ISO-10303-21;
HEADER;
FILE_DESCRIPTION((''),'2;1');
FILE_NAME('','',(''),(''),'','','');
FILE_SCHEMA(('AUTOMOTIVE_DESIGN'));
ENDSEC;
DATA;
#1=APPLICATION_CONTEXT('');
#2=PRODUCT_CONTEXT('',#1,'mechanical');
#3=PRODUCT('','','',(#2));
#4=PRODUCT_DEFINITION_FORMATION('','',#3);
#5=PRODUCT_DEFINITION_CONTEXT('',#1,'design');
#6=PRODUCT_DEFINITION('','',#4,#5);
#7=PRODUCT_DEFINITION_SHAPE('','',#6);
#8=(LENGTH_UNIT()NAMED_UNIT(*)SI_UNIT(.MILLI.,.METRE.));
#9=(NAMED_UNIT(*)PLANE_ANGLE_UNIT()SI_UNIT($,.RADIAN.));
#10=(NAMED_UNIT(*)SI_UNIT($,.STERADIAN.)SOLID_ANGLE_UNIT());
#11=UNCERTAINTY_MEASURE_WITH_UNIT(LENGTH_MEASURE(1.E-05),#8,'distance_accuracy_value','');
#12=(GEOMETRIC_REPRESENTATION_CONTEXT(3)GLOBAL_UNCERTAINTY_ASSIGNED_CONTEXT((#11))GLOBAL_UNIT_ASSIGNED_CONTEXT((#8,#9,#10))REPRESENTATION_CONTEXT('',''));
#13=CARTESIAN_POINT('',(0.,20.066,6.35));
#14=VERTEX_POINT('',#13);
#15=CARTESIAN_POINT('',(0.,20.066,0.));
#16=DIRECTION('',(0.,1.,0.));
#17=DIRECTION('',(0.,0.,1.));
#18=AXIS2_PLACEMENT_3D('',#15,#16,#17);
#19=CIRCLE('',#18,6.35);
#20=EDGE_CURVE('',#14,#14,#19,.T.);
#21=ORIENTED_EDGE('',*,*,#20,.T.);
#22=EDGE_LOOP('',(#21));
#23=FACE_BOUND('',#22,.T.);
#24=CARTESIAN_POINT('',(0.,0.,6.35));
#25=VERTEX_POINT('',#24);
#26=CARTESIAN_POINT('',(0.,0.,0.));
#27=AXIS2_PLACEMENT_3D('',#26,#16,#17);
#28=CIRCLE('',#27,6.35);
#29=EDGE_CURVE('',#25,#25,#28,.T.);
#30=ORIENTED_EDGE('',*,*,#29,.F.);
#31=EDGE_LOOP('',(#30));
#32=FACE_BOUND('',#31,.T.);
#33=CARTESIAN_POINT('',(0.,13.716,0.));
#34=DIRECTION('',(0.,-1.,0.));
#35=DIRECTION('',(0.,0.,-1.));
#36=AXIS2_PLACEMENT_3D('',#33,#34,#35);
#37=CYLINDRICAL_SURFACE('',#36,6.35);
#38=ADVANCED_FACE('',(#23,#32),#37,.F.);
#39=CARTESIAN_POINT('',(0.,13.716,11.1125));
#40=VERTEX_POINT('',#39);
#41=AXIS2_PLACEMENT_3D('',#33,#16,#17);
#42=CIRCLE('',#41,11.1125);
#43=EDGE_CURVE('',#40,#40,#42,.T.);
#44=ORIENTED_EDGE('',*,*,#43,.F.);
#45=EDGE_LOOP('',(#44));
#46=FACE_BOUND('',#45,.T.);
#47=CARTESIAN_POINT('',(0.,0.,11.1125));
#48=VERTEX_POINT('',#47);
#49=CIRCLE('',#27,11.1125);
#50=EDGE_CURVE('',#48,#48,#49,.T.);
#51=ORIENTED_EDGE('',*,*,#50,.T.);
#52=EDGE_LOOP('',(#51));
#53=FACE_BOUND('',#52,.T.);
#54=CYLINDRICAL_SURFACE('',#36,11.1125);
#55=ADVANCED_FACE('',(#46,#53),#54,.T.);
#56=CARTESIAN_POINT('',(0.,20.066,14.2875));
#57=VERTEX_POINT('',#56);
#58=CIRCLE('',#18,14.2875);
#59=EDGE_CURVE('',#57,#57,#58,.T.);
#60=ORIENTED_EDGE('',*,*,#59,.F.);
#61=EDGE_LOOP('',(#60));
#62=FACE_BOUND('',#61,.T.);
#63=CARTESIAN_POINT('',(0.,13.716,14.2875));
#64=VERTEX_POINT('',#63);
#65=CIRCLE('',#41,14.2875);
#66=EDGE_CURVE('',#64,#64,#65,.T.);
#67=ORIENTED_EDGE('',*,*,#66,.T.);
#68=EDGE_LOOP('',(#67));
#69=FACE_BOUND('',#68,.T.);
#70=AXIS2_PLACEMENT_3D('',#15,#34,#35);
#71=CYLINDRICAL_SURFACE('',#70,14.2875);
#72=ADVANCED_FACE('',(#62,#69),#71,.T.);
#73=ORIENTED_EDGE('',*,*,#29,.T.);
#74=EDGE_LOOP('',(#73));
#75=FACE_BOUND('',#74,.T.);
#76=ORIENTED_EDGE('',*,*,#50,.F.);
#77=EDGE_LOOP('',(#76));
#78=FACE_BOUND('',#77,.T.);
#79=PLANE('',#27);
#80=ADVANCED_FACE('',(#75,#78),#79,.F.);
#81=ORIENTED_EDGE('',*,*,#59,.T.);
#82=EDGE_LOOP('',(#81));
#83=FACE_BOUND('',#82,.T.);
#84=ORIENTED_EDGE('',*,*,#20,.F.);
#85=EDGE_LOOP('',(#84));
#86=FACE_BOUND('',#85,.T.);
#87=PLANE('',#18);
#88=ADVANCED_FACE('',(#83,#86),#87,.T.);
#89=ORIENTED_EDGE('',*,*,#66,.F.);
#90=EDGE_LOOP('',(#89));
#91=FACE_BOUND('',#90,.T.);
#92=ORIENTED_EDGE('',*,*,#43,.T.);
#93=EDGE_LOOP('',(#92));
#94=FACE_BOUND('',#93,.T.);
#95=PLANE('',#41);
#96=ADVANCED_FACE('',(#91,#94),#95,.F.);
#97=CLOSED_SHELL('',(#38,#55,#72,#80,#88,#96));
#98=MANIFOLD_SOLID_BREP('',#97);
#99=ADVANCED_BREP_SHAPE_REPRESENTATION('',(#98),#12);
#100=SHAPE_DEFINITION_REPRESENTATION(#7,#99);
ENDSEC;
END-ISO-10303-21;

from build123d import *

# Parameters (mm, degrees)
SKETCH1_R           = 11.1125
SKETCH1_R_2         = 6.35
BOSS_EXTRUDE1_DEPTH = 13.716
SKETCH2_R           = 14.2875
SKETCH2_R_2         = 6.35
BOSS_EXTRUDE2_DEPTH = 6.35


with BuildPart() as part:
    # Sketch1 → Boss-Extrude1 (new body)
    with BuildSketch(Plane(origin=(0, 0, 0), x_dir=(1, 0, 0), z_dir=(0, 1, 0))):
        with Locations(Location((0, 0, 0), (0, 0, 270))):
            Circle(SKETCH1_R)
        with Locations(Location((0, 0, 0), (0, 0, 270))):
            Circle(SKETCH1_R_2, mode=Mode.SUBTRACT)
    extrude(amount=BOSS_EXTRUDE1_DEPTH)

    # Sketch2 → Boss-Extrude2 (add)
    with BuildSketch(Plane(origin=(0, 13.716, 0), x_dir=(1, 0, 0), z_dir=(0, 1, 0))):
        with Locations(Location((0, 0, 0), (0, 0, 270))):
            Circle(SKETCH2_R)
        with Locations(Location((0, 0, 0), (0, 0, 270))):
            Circle(SKETCH2_R_2, mode=Mode.SUBTRACT)
    extrude(amount=BOSS_EXTRUDE2_DEPTH)


solid = part.part
